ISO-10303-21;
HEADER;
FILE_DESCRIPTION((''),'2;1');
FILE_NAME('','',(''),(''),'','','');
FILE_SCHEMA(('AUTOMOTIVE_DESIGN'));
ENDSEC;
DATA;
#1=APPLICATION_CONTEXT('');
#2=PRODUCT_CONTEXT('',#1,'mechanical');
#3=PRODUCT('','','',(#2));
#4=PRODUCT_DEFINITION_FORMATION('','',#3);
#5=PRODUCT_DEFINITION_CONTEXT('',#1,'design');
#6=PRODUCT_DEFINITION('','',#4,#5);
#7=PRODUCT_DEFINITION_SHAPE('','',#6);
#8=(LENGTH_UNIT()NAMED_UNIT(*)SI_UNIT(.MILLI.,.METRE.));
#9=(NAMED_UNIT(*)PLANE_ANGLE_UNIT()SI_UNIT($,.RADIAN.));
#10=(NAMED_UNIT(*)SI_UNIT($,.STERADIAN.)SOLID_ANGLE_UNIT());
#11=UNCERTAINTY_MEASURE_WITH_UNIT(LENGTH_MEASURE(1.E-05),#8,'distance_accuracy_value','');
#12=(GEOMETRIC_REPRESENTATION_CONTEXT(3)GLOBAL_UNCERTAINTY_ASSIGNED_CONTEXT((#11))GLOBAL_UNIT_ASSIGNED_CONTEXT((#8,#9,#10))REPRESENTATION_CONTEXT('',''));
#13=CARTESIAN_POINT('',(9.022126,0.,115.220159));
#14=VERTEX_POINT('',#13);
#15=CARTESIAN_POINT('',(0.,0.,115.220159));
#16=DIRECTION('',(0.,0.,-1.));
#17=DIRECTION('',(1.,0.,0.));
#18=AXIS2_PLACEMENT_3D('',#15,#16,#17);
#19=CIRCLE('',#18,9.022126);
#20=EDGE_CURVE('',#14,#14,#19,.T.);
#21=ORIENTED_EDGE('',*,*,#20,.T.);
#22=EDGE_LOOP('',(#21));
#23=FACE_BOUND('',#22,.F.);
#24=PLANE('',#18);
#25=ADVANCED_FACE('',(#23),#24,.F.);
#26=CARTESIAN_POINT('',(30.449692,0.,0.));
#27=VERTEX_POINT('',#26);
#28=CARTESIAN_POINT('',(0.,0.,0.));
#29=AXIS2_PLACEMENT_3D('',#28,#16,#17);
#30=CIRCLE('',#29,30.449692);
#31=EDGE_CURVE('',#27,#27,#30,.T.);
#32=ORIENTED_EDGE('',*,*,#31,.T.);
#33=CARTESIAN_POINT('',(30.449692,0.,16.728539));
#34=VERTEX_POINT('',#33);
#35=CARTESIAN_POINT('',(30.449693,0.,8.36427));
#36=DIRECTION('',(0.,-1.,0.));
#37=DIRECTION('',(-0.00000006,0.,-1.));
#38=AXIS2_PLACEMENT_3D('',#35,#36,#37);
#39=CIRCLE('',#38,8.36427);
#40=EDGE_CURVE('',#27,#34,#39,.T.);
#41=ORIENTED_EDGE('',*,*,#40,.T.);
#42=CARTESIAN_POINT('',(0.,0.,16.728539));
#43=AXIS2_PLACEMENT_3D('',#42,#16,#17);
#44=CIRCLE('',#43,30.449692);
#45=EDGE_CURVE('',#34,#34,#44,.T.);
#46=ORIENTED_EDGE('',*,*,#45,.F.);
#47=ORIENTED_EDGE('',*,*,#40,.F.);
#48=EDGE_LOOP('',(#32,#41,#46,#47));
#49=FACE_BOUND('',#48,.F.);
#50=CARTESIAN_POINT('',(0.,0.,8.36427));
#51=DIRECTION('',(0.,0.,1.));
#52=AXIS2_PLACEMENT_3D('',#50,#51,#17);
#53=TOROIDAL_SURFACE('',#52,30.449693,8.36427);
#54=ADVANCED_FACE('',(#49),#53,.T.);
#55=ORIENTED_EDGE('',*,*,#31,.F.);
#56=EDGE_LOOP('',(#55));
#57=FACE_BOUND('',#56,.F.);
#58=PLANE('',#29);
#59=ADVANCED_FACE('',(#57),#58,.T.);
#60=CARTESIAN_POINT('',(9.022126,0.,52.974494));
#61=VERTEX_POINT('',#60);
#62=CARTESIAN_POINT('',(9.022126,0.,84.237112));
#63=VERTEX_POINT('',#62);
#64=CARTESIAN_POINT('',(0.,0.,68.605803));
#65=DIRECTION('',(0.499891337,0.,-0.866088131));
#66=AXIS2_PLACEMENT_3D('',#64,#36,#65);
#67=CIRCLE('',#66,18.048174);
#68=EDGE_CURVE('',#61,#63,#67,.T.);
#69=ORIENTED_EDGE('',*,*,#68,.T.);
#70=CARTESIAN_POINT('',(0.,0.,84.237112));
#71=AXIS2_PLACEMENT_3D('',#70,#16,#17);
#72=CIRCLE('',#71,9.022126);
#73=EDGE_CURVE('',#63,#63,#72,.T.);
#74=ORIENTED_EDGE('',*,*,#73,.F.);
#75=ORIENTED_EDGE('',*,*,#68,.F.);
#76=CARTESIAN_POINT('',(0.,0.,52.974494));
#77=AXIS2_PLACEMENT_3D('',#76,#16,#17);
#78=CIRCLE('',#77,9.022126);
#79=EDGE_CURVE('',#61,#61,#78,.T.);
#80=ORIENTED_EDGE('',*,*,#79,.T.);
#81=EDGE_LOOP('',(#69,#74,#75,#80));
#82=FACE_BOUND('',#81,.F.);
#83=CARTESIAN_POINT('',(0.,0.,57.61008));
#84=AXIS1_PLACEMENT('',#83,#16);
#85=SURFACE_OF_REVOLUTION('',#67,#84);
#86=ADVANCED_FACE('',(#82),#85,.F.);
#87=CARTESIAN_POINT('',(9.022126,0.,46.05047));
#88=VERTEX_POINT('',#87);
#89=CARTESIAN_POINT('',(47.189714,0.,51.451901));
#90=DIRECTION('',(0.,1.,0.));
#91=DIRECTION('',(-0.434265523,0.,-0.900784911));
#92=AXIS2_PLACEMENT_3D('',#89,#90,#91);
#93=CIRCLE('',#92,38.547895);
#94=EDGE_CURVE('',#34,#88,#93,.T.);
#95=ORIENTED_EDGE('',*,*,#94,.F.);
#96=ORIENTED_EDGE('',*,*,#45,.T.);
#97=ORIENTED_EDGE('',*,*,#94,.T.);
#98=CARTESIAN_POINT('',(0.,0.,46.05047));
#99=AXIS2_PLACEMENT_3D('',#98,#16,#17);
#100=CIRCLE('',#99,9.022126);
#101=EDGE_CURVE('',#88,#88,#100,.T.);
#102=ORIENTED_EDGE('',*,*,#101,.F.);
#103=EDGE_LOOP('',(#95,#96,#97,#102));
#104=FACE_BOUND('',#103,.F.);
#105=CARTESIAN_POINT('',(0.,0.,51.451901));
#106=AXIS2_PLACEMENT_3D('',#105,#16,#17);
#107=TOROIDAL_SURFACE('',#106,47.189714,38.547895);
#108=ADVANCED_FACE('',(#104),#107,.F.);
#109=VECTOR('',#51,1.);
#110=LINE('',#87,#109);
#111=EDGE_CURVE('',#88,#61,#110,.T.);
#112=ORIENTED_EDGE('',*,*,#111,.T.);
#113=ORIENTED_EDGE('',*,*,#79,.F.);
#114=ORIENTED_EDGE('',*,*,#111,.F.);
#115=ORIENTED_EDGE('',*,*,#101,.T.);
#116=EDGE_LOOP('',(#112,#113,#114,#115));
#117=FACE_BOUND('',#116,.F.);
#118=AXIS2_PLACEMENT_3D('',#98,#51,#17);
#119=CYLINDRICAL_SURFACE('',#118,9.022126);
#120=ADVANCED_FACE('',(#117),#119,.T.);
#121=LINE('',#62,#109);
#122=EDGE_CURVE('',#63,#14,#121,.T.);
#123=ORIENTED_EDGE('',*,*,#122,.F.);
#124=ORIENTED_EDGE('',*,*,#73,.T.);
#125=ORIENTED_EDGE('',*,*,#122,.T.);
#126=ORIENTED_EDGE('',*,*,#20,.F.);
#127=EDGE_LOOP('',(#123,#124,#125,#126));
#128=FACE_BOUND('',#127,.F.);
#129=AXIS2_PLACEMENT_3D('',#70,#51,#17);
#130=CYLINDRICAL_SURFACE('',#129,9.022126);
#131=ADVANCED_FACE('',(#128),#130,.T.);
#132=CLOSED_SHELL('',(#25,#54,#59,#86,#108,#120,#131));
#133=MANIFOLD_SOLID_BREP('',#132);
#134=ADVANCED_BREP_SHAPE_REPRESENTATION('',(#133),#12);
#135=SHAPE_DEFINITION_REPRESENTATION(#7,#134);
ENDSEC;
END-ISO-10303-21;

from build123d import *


with BuildPart() as f1:
    # F0 (on Front) → F1 (revolve)
    with BuildSketch(Plane.XZ):
        with BuildLine():
            Line((0, 115.220159), (0, 0))
            Line((0, 0), (30.449692, 0))
            ThreePointArc((30.449692, 0), (38.813962, 8.36427), (30.449692, 16.728539))
            ThreePointArc((30.449692, 16.728539), (16.066486, 28.708003), (9.022126, 46.05047))
            Line((9.022126, 46.05047), (9.022126, 52.974494))
            ThreePointArc((9.022126, 52.974494), (18.048174, 68.605803), (9.022126, 84.237112))
            Line((9.022126, 84.237112), (9.022126, 115.220159))
            Line((9.022126, 115.220159), (0, 115.220159))
        make_face()
    revolve(axis=Axis((0, 0, 57.61008), (0, 0, -1)))


solid = f1.part
